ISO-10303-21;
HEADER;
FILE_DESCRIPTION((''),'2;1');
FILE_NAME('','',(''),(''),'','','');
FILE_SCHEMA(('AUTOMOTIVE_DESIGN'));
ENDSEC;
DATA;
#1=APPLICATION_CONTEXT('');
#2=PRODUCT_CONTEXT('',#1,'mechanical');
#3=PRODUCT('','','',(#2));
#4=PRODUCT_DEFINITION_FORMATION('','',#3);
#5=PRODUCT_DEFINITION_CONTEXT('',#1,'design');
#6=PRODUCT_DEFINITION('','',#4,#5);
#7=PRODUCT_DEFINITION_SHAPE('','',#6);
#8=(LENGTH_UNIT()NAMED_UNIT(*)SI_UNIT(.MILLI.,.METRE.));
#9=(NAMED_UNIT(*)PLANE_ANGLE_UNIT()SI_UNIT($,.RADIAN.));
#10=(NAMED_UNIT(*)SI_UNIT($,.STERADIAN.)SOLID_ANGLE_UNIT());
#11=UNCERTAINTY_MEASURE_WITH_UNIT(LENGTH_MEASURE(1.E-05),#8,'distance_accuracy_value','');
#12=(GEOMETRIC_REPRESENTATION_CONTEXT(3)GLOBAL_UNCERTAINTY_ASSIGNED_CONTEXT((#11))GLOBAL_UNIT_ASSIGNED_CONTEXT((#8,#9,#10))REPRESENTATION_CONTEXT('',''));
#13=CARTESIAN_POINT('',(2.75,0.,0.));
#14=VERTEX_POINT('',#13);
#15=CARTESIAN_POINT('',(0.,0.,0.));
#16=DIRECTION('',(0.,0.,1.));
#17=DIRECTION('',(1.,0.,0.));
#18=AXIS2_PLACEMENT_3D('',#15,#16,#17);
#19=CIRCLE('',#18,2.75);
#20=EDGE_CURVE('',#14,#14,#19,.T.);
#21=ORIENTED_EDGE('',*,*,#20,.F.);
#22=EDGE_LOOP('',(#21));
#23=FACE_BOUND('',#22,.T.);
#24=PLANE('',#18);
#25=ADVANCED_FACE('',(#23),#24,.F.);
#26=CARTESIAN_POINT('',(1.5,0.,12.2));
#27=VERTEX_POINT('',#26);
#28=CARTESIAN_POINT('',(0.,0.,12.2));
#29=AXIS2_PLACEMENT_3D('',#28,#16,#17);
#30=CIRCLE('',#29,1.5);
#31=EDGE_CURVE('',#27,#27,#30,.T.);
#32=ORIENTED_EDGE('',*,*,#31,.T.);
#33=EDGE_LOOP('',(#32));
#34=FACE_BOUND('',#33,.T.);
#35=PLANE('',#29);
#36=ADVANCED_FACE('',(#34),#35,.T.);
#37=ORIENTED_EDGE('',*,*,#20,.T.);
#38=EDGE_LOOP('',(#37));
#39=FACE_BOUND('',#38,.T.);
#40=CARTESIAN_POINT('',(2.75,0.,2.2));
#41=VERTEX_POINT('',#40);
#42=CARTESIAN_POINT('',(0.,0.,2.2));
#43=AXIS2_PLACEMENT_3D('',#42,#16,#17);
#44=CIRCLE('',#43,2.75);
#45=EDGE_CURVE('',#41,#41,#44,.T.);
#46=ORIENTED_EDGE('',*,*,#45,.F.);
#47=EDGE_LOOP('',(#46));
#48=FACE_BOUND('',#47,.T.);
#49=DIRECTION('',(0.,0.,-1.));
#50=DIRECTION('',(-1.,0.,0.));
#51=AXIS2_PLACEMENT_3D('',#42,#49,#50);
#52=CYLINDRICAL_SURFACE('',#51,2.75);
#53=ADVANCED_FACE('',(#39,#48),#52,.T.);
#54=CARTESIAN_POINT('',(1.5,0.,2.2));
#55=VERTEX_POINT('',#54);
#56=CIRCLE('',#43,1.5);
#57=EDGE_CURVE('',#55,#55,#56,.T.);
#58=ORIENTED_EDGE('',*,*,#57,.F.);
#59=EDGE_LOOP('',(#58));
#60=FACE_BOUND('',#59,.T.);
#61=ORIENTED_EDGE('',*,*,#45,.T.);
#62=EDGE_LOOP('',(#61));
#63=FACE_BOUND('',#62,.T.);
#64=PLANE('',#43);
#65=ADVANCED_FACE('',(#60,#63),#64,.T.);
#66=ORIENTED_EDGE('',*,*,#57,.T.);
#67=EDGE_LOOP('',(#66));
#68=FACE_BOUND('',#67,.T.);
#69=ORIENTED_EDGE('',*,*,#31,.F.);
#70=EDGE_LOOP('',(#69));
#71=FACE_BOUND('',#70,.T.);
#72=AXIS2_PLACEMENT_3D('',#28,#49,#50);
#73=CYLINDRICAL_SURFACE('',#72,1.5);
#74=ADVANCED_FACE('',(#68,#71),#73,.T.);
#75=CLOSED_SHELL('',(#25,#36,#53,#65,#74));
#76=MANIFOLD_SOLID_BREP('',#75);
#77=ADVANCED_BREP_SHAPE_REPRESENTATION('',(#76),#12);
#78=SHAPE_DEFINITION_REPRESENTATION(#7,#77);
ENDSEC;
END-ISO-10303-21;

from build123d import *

# Parameters (mm, degrees)
SKETCH_1_R      = 2.75
EXTRUDE_1_DEPTH = 2.2
SKETCH_2_R      = 1.5
EXTRUDE_2_DEPTH = 10


with BuildPart() as part:
    # 草图1 → 凸台-拉伸1 (new body)
    with BuildSketch(Plane.XY):
        Circle(SKETCH_1_R)
    extrude(amount=EXTRUDE_1_DEPTH)

    # 草图2 → 凸台-拉伸2 (add)
    with BuildSketch(Plane.XY.offset(2.2)):
        Circle(SKETCH_2_R)
    extrude(amount=EXTRUDE_2_DEPTH)


solid = part.part
